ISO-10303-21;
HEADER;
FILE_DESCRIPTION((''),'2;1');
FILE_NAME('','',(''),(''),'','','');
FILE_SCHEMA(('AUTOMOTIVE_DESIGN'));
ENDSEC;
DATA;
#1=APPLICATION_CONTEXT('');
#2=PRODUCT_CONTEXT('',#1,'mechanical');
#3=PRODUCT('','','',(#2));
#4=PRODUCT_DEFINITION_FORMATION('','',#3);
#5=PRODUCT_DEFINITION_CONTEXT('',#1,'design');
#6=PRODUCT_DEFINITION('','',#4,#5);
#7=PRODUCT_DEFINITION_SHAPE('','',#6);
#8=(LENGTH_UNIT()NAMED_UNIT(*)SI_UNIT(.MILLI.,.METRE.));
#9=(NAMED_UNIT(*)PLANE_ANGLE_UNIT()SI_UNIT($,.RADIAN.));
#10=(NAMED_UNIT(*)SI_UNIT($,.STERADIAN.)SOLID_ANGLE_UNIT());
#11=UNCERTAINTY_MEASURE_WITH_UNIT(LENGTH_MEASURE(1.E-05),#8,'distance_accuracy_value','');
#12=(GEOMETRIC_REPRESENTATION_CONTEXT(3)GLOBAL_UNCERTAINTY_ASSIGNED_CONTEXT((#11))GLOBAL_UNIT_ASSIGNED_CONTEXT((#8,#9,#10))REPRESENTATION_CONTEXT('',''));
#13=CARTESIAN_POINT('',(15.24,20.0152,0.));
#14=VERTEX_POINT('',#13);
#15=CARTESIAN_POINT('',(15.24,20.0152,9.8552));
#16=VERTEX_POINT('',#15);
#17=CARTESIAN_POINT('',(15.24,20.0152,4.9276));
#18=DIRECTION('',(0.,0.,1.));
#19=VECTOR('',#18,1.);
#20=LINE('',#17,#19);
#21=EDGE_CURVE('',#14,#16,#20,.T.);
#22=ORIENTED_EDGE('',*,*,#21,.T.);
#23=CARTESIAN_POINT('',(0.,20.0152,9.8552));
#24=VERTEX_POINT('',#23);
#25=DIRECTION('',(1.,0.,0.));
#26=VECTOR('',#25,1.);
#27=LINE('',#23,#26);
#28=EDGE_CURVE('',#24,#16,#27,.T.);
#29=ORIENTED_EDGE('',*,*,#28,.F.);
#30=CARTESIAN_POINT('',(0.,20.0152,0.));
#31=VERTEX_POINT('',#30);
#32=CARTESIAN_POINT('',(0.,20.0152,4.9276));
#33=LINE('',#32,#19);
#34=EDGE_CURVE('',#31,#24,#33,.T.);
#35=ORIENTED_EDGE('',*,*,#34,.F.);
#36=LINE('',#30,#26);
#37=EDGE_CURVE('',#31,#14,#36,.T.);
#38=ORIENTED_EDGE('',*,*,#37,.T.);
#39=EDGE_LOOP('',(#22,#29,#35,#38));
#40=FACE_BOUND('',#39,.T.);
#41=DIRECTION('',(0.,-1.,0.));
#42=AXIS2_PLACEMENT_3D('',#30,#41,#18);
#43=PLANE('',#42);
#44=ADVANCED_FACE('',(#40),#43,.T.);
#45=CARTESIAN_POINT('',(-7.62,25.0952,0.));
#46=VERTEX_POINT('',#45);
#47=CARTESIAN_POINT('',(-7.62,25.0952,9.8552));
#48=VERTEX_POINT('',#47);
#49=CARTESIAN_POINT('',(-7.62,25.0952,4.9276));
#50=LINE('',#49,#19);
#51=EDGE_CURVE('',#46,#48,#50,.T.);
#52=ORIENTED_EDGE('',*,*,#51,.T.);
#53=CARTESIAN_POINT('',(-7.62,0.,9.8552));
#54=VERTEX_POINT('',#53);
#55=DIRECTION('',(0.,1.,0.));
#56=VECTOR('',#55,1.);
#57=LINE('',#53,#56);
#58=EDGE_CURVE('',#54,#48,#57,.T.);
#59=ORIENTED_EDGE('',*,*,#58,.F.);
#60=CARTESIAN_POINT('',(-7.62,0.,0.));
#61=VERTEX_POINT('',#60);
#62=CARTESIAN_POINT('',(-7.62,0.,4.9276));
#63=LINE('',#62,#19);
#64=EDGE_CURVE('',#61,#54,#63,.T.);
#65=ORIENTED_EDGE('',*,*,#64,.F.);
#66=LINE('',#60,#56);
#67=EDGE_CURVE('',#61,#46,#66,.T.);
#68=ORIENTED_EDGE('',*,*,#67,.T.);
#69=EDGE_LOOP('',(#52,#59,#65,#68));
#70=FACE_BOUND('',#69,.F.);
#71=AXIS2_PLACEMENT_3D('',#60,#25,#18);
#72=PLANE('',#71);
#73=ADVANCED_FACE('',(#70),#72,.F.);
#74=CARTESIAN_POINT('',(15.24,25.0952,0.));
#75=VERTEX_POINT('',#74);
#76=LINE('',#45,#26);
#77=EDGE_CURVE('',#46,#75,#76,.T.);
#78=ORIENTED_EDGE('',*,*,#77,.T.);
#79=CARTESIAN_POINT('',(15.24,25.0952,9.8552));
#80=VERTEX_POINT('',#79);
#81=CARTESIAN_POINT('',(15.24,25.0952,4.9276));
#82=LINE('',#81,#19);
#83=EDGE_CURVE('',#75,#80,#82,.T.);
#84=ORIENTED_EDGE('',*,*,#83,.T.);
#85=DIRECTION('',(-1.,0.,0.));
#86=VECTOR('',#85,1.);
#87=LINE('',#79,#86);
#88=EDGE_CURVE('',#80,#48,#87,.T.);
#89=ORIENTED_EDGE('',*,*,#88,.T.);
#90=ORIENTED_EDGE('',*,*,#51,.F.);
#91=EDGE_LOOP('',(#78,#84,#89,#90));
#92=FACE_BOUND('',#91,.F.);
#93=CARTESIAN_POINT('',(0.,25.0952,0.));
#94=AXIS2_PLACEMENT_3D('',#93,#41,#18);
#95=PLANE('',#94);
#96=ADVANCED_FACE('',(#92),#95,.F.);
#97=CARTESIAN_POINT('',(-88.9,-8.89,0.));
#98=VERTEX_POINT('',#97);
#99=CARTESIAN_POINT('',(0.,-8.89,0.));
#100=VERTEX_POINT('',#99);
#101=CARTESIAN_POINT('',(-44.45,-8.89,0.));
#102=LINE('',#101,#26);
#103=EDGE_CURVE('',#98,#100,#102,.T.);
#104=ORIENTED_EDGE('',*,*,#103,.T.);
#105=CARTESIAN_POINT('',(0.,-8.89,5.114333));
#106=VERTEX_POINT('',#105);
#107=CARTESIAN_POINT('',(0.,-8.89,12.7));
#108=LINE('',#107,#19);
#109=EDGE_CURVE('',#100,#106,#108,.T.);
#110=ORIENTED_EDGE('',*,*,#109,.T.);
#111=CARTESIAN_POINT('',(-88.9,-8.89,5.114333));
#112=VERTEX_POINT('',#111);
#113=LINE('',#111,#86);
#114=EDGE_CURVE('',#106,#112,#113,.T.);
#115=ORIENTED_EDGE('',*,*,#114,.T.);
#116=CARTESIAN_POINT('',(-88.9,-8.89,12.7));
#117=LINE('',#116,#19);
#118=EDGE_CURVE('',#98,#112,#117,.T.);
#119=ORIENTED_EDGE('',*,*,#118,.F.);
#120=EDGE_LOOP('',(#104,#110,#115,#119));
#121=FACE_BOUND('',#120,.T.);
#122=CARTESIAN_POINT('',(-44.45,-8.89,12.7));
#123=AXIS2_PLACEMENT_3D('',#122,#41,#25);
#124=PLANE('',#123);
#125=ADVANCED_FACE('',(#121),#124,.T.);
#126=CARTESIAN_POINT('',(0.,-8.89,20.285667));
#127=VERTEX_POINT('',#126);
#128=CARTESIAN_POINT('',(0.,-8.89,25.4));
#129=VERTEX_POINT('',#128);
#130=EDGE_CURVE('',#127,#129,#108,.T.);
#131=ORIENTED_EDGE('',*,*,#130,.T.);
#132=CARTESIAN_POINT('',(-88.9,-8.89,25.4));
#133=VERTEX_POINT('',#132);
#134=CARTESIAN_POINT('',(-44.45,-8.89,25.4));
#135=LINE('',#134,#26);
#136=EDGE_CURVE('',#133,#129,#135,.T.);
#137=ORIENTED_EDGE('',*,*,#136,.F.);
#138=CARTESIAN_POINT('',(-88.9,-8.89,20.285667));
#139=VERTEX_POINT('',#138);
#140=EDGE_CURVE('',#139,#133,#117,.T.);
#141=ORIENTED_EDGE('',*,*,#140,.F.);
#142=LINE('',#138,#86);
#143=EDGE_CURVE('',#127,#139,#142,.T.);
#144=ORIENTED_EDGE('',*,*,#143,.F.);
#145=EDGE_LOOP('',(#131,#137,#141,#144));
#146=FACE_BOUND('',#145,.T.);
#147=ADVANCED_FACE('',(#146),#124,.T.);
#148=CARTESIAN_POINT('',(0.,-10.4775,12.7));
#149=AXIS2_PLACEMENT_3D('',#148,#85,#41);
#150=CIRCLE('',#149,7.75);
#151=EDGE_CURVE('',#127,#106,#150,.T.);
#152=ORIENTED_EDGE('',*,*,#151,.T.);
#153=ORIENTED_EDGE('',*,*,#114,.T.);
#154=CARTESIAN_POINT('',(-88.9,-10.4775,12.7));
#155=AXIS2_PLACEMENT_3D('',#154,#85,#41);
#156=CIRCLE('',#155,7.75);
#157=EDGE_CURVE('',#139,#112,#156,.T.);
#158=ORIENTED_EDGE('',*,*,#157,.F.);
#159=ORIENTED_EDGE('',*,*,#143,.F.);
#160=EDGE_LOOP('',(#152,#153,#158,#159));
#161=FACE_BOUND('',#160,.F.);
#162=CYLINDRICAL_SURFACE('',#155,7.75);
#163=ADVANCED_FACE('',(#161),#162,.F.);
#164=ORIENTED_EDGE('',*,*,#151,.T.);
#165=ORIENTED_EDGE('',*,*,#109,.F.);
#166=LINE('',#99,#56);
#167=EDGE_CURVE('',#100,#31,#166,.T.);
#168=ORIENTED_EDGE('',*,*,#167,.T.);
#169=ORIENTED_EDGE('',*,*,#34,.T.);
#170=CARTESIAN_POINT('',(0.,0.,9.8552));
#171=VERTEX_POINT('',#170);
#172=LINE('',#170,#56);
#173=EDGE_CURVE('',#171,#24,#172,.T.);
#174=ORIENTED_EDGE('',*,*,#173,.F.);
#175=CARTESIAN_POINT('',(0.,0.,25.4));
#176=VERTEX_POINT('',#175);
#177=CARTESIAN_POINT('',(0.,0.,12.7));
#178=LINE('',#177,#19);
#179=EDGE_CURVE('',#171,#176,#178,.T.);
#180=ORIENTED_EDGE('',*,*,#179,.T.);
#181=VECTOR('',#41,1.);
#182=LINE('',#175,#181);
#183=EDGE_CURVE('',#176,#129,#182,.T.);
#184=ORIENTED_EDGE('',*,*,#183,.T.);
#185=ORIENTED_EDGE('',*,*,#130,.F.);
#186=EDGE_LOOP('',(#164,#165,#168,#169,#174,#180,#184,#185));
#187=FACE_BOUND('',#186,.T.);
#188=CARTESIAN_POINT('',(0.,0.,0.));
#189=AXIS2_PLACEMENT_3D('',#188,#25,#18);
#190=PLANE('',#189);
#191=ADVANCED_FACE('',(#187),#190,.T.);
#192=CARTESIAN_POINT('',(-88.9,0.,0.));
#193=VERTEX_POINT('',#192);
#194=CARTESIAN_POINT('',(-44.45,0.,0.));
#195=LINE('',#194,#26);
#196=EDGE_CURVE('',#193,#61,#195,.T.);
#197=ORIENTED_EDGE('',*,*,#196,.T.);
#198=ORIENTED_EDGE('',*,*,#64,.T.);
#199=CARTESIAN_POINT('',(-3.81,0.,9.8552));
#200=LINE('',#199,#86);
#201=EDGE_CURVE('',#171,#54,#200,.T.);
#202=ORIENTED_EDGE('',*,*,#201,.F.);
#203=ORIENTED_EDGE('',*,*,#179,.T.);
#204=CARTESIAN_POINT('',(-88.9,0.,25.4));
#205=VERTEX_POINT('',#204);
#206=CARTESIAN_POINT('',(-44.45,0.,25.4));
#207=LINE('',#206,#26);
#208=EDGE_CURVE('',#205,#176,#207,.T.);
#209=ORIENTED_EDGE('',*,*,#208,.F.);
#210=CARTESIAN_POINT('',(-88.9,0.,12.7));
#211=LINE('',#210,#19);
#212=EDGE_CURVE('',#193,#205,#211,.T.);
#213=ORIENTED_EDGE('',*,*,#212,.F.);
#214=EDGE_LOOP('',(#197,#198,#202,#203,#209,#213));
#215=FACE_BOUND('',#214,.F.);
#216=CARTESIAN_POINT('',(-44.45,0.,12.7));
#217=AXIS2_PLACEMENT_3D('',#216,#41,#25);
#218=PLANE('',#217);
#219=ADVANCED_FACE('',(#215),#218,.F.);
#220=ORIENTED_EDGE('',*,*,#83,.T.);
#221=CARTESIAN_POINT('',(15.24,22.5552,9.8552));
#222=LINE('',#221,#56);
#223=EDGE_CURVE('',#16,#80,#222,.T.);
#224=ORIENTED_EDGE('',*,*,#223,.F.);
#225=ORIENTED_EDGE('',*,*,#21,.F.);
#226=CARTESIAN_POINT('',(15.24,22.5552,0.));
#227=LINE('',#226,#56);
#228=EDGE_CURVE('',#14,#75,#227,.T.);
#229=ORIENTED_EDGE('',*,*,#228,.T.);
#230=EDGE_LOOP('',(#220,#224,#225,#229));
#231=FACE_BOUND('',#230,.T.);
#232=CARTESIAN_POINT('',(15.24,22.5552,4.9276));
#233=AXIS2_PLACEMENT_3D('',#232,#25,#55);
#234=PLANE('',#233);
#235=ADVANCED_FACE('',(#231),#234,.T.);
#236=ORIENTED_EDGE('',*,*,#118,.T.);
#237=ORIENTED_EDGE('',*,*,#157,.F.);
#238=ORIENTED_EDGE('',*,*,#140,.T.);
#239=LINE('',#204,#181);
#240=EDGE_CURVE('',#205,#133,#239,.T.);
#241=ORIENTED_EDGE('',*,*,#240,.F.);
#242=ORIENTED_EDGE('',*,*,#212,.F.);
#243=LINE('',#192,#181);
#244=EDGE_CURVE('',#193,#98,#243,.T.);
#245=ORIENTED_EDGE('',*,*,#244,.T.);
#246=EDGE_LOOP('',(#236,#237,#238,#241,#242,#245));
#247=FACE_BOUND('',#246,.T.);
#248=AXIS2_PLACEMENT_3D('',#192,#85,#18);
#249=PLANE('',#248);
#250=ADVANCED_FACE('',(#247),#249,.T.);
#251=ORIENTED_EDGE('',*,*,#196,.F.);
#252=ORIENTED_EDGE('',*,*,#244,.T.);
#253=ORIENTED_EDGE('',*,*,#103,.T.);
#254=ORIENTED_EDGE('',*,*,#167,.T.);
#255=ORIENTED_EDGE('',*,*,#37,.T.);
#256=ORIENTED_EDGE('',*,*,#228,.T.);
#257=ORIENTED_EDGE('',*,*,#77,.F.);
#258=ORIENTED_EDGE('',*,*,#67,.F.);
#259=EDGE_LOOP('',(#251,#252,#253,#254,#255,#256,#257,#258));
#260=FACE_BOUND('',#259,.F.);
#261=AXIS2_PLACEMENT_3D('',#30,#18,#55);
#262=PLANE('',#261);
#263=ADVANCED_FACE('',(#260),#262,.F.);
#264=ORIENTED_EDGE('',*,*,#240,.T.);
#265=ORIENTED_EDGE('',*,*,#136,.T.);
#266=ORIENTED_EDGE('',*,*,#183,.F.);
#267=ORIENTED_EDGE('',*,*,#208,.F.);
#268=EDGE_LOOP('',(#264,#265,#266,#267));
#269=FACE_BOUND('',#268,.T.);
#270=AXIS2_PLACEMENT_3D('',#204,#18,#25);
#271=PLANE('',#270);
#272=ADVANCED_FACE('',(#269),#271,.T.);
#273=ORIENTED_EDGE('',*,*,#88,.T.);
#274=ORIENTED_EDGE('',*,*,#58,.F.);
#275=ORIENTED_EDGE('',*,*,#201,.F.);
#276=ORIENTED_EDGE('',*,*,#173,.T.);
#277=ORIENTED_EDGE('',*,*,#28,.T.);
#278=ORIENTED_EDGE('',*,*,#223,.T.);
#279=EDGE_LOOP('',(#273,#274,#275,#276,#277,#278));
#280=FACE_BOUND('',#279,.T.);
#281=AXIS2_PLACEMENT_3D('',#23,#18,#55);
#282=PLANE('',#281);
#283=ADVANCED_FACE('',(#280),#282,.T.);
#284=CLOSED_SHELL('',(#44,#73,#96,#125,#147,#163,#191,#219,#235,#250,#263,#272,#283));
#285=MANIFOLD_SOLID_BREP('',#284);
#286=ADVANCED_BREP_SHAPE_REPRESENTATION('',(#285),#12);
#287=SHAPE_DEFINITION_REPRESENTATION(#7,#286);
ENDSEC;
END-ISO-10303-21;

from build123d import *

# Parameters (mm, degrees)
F0_W     = 88.9
F0_H     = 25.4
F1_DEPTH = 8.89
F2_R     = 7.75
F3_DEPTH = 88.901
F4_W     = 7.62
F4_H     = 9.8552
F5_DEPTH = 25.0952
F6_W     = 5.08
F6_H     = 9.8552
F7_DEPTH = 15.24


with BuildPart() as f1:
    # F0 (on Front) → F1 (new body)
    with BuildSketch(Plane.XZ):
        with Locations((-44.45, 12.7)):
            Rectangle(F0_W, F0_H)
    extrude(amount=F1_DEPTH)

    # F2 (on face) → F3 (cut, through all)
    with BuildSketch(Plane(origin=(-88.9, 0, 0), x_dir=(0, -1, 0), z_dir=(-1, 0, 0))):
        with Locations((10.4775, 12.7)):
            Circle(F2_R)
    extrude(amount=-F3_DEPTH, mode=Mode.SUBTRACT)

    # F4 (on face) → F5 (join)
    with BuildSketch(Plane(origin=(0, 0, 0), x_dir=(-1, 0, 0), z_dir=(0, 1, 0))):
        with Locations((3.81, 4.9276)):
            Rectangle(F4_W, F4_H)
    extrude(amount=F5_DEPTH)

    # F6 (on face) → F7 (join)
    with BuildSketch(Plane.YZ):
        with Locations((22.5552, 4.9276)):
            Rectangle(F6_W, F6_H)
    extrude(amount=F7_DEPTH)


solid = f1.part
